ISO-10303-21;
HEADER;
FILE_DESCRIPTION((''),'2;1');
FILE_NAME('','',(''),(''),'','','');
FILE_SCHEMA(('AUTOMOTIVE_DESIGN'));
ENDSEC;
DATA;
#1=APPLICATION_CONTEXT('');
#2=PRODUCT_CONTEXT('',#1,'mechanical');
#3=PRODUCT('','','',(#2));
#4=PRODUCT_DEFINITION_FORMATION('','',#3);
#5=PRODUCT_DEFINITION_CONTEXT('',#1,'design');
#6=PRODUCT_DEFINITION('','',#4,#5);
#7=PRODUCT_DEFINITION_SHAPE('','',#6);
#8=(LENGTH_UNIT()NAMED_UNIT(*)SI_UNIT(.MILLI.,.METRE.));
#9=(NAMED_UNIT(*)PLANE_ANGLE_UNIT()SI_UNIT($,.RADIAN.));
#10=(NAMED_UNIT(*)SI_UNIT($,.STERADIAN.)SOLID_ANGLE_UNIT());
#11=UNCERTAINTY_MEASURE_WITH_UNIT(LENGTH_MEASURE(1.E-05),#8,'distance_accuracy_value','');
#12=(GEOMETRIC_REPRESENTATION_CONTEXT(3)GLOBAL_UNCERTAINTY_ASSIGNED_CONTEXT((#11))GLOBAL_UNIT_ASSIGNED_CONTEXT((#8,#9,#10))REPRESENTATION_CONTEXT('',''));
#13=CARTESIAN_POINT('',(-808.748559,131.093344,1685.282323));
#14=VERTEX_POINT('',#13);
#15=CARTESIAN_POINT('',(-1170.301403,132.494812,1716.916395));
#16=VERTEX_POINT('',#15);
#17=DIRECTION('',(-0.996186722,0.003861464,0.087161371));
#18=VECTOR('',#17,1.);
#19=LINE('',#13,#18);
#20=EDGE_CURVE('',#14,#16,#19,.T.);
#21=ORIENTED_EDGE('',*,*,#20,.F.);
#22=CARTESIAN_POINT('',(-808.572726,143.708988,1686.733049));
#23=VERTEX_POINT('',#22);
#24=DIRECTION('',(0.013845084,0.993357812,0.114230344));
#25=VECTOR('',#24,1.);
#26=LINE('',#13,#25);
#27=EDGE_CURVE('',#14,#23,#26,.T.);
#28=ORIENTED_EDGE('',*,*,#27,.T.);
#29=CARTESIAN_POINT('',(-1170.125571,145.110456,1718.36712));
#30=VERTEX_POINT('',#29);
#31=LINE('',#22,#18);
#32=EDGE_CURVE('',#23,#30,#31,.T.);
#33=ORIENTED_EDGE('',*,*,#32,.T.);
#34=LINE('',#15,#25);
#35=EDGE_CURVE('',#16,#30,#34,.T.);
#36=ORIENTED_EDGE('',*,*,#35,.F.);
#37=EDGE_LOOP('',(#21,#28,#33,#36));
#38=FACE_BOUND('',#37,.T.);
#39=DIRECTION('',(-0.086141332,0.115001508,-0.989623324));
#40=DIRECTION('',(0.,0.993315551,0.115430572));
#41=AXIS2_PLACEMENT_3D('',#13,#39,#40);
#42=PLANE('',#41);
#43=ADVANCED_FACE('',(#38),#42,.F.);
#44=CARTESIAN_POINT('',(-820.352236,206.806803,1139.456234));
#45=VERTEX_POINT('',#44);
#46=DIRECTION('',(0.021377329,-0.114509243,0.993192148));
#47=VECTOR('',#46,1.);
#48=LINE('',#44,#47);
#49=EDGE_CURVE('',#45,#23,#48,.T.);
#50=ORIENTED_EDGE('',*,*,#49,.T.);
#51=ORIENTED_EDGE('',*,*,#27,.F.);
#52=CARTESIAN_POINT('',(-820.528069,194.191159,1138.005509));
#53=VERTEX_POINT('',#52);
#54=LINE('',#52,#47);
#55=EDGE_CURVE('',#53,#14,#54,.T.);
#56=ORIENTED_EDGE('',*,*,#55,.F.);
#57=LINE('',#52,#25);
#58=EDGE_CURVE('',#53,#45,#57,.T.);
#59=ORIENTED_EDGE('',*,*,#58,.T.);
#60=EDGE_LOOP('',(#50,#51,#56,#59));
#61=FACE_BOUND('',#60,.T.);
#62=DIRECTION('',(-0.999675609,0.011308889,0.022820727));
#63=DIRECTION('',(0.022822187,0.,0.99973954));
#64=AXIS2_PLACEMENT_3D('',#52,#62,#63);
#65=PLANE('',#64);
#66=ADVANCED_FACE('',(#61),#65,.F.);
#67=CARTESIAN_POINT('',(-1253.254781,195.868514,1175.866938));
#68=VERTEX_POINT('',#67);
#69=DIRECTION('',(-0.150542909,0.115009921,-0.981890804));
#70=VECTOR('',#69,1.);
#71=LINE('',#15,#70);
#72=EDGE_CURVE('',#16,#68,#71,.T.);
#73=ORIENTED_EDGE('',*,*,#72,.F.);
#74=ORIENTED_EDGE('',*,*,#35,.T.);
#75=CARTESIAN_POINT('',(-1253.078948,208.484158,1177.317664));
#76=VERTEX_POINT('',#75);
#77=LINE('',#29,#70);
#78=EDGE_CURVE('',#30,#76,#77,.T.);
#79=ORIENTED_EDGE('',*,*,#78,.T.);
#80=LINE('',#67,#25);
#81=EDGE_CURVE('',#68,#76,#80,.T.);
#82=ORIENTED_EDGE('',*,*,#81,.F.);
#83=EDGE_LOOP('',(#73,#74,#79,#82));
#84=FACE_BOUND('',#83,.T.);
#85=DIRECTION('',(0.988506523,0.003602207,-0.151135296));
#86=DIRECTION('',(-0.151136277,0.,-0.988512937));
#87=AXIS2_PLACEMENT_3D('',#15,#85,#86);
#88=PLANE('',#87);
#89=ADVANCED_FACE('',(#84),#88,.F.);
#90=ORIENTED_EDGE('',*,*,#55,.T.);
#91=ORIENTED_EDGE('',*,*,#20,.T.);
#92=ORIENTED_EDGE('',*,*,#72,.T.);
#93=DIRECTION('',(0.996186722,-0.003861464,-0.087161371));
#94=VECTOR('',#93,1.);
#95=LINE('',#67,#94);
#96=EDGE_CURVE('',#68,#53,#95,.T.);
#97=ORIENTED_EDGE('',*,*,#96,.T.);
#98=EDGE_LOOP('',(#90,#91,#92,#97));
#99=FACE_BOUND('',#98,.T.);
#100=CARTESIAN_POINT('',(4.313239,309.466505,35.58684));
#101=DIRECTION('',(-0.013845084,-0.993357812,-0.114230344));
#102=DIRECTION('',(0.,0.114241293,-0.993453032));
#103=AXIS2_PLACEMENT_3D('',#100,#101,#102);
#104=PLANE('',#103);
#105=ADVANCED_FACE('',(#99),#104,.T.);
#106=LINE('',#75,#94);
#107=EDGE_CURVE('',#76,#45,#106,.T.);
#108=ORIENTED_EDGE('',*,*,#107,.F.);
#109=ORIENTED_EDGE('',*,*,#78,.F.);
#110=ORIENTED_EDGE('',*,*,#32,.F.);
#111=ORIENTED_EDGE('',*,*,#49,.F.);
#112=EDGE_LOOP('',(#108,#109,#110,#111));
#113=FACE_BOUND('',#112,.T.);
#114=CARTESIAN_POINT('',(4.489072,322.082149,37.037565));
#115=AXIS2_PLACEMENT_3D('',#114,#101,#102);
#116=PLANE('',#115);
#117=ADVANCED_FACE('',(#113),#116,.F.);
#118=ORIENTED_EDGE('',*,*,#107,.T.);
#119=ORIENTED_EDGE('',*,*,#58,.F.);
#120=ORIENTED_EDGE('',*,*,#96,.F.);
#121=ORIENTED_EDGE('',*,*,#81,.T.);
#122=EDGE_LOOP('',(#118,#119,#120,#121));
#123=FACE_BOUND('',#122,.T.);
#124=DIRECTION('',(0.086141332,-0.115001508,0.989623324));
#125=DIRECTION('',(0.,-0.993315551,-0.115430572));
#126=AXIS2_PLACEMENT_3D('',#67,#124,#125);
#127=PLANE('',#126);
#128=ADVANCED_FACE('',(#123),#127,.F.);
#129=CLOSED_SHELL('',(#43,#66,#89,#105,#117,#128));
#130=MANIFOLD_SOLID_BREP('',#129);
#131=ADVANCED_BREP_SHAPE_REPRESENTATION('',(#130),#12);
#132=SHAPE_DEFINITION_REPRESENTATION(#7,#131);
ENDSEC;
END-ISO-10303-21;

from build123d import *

# Parameters (mm, degrees)
BOSS_EXTRUDE1_DEPTH = 12.7


with BuildPart() as part:
    # PedalBox Floor → Boss-Extrude1 (new body)
    with BuildSketch(Plane(origin=(4.489071742, 322.082149379, 37.037565083), x_dir=(-0.9999035441482338, 0.013880423429573326, 0.0004860506322967613), z_dir=(-0.013845084214796764, -0.9933578117850708, -0.11423034364240246))):
        Polygon((823.697507709, -1109.279462523), (811.309313954, -1660.1683221), (1172.862113197, -1691.833937969), (1256.424166044, -1147.17864673), align=None)
    extrude(amount=BOSS_EXTRUDE1_DEPTH)


solid = part.part
